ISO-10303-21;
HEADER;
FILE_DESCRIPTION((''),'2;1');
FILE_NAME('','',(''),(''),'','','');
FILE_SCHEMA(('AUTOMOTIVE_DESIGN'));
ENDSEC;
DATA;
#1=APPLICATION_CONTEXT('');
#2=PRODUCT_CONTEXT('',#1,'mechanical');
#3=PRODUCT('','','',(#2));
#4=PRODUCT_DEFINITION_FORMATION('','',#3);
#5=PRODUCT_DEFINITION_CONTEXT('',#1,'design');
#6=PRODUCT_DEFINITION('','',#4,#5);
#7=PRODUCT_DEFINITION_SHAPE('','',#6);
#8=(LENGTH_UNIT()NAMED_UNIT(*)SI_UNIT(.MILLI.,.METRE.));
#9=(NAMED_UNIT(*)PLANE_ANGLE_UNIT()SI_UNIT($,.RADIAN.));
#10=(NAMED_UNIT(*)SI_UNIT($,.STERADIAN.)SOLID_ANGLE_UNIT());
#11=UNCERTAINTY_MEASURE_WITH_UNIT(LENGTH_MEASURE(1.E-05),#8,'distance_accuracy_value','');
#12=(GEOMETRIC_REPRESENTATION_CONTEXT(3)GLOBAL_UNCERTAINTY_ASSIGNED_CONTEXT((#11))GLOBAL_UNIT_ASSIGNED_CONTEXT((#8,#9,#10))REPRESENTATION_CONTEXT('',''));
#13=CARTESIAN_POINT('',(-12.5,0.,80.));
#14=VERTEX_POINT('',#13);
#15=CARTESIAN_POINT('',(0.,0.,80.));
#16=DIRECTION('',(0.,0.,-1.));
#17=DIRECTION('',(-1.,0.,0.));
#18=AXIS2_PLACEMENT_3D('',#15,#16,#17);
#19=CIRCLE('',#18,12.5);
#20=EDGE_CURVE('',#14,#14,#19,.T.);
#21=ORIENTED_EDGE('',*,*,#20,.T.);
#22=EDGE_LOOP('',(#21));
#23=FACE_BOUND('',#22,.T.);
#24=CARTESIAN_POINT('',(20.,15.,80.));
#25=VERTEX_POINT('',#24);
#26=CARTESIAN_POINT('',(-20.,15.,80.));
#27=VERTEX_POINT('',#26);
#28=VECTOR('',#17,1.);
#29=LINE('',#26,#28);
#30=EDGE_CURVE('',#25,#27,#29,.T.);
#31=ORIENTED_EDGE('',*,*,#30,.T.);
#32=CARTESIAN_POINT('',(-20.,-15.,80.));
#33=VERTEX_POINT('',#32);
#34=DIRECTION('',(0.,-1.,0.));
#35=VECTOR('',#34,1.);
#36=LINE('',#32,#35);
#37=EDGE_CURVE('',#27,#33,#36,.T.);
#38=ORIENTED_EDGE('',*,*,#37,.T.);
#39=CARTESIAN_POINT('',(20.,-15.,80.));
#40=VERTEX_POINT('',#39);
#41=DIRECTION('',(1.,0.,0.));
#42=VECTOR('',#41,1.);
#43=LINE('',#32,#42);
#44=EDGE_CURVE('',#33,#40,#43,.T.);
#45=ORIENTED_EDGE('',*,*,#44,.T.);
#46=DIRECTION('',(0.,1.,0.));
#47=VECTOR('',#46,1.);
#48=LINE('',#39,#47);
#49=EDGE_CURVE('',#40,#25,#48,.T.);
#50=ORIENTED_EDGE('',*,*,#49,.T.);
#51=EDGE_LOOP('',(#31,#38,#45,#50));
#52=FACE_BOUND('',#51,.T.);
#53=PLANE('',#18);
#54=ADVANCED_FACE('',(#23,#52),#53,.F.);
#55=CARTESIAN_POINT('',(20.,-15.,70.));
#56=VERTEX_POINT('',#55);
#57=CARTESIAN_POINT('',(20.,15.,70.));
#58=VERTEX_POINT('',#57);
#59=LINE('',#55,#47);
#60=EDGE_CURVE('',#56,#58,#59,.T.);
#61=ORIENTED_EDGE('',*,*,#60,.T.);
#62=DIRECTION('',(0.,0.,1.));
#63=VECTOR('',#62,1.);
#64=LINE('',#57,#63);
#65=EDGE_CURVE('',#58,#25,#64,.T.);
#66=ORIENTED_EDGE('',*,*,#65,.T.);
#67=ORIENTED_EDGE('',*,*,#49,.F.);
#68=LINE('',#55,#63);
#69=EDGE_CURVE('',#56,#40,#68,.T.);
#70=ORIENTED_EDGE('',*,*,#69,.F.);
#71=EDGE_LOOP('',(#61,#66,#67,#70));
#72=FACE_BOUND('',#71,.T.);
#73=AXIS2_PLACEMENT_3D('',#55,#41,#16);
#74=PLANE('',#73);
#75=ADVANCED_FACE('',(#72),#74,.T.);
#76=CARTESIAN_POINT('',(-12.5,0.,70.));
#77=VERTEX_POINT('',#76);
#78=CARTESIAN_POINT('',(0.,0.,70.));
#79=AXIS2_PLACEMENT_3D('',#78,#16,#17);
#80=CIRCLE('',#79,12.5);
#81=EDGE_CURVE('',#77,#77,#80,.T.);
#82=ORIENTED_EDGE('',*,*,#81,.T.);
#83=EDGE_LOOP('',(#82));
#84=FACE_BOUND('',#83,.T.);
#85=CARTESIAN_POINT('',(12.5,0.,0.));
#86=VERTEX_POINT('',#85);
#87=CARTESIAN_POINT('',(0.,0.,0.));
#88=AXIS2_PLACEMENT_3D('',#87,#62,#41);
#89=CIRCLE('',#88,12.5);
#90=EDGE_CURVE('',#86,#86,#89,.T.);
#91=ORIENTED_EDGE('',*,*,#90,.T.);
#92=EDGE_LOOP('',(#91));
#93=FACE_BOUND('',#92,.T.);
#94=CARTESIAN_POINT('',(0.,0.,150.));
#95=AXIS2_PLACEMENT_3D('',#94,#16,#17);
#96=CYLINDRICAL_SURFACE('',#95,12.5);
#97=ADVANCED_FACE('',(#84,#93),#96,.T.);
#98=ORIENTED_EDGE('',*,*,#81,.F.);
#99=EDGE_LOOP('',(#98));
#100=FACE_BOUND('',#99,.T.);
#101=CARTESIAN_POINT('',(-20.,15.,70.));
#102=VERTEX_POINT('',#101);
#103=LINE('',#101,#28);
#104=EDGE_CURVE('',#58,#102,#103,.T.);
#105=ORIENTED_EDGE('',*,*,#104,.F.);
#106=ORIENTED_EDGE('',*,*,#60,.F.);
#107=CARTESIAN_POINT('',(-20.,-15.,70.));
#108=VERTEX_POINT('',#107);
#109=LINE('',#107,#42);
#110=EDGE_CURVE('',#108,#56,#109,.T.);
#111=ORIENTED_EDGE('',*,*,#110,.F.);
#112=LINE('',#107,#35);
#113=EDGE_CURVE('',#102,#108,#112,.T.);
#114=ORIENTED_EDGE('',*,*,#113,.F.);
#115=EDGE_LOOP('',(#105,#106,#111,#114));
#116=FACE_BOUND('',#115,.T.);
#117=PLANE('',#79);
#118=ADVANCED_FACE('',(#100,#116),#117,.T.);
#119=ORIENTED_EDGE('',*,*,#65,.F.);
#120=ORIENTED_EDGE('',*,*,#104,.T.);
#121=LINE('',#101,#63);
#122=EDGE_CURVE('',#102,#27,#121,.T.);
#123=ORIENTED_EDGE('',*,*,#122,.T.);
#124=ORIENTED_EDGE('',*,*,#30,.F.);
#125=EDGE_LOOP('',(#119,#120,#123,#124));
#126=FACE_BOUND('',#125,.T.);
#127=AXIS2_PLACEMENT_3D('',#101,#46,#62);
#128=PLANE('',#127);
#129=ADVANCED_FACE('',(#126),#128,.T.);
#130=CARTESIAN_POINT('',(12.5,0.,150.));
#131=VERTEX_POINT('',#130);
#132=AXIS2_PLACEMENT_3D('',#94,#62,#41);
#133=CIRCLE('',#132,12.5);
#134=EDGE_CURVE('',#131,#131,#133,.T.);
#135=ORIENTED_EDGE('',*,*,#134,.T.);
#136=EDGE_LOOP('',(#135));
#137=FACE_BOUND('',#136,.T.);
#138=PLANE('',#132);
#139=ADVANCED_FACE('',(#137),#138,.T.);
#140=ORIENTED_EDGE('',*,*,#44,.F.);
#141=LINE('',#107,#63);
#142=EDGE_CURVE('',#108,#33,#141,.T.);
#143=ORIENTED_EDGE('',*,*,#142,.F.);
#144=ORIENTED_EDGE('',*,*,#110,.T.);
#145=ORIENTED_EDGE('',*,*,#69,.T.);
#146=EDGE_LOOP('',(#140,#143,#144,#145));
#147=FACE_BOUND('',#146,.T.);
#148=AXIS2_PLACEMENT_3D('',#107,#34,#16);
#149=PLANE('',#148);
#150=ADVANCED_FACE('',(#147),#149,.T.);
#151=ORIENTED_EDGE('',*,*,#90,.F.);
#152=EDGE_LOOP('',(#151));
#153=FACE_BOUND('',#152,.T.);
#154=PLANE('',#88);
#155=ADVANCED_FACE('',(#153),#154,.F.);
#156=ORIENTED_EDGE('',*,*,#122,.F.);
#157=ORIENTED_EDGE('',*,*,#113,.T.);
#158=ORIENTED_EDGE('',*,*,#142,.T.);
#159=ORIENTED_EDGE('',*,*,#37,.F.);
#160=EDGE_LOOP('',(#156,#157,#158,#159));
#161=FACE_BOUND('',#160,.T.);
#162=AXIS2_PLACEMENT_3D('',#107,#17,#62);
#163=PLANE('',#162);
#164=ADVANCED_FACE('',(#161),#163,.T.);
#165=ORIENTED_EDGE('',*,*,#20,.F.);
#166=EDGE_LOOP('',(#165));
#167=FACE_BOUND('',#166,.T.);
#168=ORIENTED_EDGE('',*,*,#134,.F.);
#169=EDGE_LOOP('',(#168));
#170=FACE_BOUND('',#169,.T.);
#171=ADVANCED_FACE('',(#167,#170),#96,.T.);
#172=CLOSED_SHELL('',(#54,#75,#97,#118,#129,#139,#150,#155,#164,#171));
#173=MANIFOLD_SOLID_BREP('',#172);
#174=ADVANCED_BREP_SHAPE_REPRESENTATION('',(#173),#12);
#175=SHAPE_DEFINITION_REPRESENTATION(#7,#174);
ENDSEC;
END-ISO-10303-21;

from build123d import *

# Parameters (mm, degrees)
SKETCH1_R                = 12.5
BOSS_EXTRUDE1_DEPTH      = 150
BOSS_EXTRUDE2_START      = 75
SKETCH2_W                = 40
SKETCH2_H                = 30
BOSS_EXTRUDE2_DEPTH      = 5
BOSS_EXTRUDE2_DEPTH_BACK = 5


with BuildPart() as part:
    # Sketch1 → Boss-Extrude1 (new body)
    with BuildSketch(Plane.XY):
        Circle(SKETCH1_R)
    extrude(amount=BOSS_EXTRUDE1_DEPTH)

    # Sketch2 → Boss-Extrude2 (add, two sides)
    with BuildSketch(Plane.XY.offset(BOSS_EXTRUDE2_START)) as boss_extrude2_sk:
        Rectangle(SKETCH2_W, SKETCH2_H)
    extrude(amount=BOSS_EXTRUDE2_DEPTH)
    extrude(boss_extrude2_sk.sketch, amount=-BOSS_EXTRUDE2_DEPTH_BACK)


solid = part.part
